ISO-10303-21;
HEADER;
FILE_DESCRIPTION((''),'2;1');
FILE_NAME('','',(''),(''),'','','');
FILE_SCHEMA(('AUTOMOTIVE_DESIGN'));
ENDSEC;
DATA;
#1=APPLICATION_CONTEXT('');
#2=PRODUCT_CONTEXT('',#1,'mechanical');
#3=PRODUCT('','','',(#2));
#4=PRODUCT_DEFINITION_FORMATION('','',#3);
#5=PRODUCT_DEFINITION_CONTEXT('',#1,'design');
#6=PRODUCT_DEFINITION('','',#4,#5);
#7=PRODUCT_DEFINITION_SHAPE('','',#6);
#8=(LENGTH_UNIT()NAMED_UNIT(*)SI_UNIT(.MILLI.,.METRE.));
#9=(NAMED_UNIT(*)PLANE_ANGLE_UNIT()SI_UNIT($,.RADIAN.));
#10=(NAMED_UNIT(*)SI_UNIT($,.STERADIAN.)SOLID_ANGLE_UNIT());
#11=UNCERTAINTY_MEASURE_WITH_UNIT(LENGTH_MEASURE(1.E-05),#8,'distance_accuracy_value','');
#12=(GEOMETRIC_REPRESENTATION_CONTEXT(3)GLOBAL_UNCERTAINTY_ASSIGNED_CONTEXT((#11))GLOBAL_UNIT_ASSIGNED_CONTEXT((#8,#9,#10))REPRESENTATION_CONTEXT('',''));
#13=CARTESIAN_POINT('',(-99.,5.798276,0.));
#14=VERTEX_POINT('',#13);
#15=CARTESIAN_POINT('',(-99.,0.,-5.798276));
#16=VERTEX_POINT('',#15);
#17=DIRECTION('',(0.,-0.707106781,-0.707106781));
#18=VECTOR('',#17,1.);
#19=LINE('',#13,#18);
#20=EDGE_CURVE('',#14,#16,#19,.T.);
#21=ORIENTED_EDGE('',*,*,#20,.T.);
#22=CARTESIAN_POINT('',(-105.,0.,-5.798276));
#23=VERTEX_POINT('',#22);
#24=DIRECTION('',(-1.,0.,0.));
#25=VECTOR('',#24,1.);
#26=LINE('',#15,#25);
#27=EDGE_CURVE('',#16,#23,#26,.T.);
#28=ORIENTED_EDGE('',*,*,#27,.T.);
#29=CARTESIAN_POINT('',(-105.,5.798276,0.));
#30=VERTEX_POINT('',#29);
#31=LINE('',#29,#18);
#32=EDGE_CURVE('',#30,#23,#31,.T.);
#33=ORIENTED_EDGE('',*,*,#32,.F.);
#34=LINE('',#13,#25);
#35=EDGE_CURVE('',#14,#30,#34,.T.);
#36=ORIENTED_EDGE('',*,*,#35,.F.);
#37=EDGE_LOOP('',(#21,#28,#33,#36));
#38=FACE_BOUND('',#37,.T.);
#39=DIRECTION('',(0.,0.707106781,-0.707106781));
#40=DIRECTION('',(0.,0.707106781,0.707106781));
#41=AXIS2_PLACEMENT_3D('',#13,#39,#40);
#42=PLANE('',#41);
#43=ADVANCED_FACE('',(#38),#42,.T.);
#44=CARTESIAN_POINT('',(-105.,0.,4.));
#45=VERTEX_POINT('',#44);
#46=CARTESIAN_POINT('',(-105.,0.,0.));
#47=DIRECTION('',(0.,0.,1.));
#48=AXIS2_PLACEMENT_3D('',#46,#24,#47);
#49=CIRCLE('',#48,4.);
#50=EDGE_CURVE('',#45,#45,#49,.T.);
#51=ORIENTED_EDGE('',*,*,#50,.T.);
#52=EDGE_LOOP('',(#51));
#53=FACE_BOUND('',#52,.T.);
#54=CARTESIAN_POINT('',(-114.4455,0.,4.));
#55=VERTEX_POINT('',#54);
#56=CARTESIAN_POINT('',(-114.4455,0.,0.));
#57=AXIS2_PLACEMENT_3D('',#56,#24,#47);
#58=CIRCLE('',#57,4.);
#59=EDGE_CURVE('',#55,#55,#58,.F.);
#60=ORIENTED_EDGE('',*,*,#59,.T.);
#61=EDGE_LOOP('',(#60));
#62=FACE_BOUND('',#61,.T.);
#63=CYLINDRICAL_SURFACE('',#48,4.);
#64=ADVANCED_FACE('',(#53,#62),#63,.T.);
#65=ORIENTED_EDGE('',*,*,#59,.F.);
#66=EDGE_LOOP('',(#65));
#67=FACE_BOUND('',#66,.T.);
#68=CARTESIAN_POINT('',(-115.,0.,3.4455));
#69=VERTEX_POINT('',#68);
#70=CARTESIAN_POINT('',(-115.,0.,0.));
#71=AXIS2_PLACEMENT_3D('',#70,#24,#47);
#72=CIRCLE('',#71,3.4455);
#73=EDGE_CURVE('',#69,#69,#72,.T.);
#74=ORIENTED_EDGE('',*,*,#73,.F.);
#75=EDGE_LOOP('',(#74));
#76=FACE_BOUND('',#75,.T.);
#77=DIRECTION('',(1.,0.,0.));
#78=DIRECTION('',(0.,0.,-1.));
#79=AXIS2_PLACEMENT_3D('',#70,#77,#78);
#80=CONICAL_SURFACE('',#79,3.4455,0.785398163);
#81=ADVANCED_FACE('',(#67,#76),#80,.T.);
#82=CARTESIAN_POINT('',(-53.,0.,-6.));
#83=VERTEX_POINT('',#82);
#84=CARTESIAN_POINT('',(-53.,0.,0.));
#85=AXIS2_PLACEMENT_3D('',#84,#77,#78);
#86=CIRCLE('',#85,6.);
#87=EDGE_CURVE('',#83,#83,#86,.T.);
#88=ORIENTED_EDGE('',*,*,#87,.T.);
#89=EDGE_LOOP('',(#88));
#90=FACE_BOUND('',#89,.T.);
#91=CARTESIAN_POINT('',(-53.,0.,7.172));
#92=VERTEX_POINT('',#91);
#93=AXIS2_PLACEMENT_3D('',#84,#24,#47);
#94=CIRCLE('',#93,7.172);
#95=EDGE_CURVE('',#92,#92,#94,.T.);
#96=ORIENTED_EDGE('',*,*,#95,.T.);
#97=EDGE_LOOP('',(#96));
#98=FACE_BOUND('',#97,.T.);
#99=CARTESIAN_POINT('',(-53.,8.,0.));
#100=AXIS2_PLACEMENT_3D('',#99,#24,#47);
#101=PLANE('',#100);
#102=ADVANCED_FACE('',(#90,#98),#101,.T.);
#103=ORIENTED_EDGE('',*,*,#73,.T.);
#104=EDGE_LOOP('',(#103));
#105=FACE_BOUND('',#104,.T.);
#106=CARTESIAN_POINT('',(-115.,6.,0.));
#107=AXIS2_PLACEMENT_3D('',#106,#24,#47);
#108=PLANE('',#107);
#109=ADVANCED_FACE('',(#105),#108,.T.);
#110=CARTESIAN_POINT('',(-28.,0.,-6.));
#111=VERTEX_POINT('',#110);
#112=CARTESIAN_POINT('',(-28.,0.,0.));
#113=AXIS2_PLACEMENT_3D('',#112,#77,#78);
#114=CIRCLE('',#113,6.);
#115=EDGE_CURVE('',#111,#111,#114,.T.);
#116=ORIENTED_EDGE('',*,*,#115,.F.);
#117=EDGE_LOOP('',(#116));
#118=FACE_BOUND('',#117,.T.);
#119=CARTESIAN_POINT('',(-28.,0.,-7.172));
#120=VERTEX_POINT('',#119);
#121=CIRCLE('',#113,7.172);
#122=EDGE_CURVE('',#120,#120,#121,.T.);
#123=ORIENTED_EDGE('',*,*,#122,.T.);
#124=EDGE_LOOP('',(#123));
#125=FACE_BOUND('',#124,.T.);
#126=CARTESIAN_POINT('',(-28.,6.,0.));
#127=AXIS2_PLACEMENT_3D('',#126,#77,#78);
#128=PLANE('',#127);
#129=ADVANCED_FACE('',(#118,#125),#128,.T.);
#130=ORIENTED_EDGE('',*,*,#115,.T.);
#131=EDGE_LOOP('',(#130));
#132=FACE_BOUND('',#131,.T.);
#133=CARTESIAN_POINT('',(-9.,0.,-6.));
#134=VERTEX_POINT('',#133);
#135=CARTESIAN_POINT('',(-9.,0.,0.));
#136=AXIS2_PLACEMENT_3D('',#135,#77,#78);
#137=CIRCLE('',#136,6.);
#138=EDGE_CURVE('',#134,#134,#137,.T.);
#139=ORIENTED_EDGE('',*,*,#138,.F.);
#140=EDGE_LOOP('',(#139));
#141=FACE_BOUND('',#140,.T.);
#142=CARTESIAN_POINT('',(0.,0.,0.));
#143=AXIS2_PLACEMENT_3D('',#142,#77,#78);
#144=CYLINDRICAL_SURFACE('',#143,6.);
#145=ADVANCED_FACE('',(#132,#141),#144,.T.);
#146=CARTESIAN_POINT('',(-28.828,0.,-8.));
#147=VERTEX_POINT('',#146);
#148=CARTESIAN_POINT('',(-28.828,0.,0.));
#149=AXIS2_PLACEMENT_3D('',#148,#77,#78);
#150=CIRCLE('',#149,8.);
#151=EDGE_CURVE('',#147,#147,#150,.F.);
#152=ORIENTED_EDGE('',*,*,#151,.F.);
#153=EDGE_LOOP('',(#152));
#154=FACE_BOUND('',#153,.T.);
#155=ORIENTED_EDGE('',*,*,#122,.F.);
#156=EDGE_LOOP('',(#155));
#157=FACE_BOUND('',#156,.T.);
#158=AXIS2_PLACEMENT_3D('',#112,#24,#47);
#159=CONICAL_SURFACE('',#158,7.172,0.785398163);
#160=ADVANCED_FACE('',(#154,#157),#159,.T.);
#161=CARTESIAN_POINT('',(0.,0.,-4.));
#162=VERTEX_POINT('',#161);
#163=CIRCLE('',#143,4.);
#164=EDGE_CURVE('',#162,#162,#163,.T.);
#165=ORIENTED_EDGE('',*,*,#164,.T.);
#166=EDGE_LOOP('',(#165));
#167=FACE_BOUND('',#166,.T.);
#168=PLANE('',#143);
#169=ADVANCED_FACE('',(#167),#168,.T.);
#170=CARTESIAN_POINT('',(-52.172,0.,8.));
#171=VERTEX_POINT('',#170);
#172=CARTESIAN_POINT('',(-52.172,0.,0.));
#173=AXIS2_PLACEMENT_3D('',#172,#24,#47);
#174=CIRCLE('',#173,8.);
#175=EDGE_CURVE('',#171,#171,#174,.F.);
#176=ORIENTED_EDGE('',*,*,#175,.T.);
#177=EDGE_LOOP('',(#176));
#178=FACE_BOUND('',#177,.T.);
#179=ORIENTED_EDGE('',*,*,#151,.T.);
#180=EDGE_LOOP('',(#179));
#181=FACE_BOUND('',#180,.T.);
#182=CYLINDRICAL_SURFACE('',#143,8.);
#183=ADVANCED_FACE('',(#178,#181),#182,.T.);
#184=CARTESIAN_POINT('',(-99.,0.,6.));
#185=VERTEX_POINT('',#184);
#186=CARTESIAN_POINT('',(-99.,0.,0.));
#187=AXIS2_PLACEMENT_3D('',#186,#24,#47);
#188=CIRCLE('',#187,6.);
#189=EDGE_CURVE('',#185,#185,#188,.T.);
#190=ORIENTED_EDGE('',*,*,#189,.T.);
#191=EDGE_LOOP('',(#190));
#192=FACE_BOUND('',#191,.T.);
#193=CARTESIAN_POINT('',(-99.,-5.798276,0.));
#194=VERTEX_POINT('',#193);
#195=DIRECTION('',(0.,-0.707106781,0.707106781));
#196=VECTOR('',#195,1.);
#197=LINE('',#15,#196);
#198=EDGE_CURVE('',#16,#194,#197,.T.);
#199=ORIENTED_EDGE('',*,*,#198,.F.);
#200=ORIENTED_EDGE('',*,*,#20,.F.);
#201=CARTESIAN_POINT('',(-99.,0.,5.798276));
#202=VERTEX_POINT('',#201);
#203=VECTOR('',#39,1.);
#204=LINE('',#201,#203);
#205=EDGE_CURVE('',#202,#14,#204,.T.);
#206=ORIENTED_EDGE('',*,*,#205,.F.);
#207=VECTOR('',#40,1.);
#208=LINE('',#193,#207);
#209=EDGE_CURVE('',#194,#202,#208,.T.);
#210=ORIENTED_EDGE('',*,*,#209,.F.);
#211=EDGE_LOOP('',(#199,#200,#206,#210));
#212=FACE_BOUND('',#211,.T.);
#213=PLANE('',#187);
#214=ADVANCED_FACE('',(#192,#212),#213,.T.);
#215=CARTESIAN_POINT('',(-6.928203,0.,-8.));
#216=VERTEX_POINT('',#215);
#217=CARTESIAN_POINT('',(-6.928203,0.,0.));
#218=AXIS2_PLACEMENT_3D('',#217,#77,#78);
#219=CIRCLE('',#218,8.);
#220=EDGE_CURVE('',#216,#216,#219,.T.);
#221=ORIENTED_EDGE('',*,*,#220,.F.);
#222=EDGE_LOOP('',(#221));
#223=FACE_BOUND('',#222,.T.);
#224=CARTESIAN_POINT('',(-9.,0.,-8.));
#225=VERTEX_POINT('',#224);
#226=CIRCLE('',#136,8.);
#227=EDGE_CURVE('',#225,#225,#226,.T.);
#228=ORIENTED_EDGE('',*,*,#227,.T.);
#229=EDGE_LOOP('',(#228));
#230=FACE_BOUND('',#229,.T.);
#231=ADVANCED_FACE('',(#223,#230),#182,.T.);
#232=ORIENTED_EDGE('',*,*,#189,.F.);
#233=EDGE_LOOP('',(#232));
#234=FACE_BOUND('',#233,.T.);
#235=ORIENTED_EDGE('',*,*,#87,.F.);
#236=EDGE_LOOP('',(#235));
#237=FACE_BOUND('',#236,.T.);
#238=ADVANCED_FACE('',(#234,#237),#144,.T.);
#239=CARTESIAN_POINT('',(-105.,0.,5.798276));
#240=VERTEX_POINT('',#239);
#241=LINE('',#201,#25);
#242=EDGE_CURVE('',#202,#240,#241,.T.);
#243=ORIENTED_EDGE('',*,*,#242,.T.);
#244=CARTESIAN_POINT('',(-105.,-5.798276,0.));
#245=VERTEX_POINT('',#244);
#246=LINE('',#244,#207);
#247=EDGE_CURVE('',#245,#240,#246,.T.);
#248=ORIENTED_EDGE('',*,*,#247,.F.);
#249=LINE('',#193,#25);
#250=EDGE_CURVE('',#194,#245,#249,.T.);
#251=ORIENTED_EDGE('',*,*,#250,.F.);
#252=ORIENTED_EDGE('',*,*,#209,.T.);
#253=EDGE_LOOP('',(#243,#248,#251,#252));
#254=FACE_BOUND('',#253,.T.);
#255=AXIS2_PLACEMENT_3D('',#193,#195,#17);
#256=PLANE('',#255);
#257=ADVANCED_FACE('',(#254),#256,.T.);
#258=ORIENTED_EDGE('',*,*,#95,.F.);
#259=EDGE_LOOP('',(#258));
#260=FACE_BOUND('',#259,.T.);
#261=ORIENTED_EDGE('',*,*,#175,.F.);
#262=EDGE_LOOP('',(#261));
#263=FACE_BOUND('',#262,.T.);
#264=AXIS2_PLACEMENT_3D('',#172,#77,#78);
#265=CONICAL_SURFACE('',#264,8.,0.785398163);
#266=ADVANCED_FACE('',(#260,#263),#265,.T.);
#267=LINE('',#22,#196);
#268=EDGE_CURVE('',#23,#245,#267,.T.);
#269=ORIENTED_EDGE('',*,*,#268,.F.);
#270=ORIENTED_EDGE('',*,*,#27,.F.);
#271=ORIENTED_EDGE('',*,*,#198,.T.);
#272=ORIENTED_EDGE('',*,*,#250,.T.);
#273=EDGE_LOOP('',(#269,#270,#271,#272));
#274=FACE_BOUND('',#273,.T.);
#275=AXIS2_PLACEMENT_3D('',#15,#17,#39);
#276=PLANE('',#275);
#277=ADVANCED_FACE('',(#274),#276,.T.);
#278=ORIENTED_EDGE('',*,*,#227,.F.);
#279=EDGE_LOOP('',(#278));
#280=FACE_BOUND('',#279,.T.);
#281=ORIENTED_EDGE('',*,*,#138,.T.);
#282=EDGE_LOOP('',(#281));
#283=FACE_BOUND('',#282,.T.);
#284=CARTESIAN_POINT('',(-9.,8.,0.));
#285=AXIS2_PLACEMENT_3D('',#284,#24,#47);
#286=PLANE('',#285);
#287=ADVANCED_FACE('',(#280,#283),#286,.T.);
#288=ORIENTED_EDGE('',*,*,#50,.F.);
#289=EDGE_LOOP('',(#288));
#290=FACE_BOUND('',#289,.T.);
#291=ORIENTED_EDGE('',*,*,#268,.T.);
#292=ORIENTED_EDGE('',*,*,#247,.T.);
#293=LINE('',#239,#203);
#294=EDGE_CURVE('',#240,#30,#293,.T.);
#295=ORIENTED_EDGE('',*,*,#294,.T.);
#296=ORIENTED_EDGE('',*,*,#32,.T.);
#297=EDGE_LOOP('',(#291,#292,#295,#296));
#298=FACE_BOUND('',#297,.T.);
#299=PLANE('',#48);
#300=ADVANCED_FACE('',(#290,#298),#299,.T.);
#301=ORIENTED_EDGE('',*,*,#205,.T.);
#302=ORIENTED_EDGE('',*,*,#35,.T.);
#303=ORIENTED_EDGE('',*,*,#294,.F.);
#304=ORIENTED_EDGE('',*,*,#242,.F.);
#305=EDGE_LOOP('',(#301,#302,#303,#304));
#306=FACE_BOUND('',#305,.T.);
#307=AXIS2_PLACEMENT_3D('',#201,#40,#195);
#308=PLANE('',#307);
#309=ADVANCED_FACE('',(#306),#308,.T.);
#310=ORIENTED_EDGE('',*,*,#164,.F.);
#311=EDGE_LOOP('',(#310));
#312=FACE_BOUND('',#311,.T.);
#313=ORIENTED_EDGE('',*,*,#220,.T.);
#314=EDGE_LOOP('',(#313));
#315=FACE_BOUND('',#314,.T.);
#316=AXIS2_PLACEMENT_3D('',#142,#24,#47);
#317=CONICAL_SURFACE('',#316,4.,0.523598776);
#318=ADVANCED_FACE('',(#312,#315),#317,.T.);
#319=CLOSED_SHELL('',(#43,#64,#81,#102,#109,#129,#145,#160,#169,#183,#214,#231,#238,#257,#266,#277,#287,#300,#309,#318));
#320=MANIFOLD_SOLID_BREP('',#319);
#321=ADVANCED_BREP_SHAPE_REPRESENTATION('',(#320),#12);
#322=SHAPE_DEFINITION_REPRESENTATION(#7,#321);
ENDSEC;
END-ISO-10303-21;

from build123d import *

# Parameters (mm, degrees)
CHAMFER_1_SIZE      = 0.828
SKETCH_2_R          = 6
SKETCH_2_R_2        = 4
CUT_EXTRUDE_1_DEPTH = 10
SKETCH_3_R          = 6
CUT_EXTRUDE_2_DEPTH = 6
CHAMFER_2_SIZE      = 0.5545


with BuildPart() as part:
    # Эскиз1 → Повернуть1 (revolve)
    with BuildSketch(Plane.XY):
        Polygon((0, 0), (0, 4), (-6.92820323, 8), (-9, 8), (-9, 6), (-28, 6), (-28, 8), (-53, 8), (-53, 6), (-115, 6), (-115, 0), align=None)
    revolve(axis=Axis((0, 0, 0), (-1, 0, 0)))

    # Фаска1
    chamfer_1_edges = [part.edges().sort_by_distance(p)[0] for p in [
        (-53, -8, 0),
        (-28, -8, 0),
    ]]
    chamfer(chamfer_1_edges, length=CHAMFER_1_SIZE)

    # Эскиз2 → Вырез-Вытянуть1 (cut)
    with BuildSketch(Plane.ZY.offset(115)):
        Circle(SKETCH_2_R)
        Circle(SKETCH_2_R_2, mode=Mode.SUBTRACT)
    extrude(amount=-CUT_EXTRUDE_1_DEPTH, mode=Mode.SUBTRACT)

    # Эскиз3 → Вырез-Вытянуть2 (cut)
    with BuildSketch(Plane.ZY.offset(105)):
        Circle(SKETCH_3_R)
        Polygon((0, 5.798275606), (-5.798275606, 0), (0, -5.798275606), (5.798275606, 0), align=None, mode=Mode.SUBTRACT)
    extrude(amount=-CUT_EXTRUDE_2_DEPTH, mode=Mode.SUBTRACT)

    # Фаска2
    chamfer_2_edges = [part.edges().sort_by_distance(p)[0] for p in [
        (-115, 0, -4),
    ]]
    chamfer(chamfer_2_edges, length=CHAMFER_2_SIZE)


solid = part.part
